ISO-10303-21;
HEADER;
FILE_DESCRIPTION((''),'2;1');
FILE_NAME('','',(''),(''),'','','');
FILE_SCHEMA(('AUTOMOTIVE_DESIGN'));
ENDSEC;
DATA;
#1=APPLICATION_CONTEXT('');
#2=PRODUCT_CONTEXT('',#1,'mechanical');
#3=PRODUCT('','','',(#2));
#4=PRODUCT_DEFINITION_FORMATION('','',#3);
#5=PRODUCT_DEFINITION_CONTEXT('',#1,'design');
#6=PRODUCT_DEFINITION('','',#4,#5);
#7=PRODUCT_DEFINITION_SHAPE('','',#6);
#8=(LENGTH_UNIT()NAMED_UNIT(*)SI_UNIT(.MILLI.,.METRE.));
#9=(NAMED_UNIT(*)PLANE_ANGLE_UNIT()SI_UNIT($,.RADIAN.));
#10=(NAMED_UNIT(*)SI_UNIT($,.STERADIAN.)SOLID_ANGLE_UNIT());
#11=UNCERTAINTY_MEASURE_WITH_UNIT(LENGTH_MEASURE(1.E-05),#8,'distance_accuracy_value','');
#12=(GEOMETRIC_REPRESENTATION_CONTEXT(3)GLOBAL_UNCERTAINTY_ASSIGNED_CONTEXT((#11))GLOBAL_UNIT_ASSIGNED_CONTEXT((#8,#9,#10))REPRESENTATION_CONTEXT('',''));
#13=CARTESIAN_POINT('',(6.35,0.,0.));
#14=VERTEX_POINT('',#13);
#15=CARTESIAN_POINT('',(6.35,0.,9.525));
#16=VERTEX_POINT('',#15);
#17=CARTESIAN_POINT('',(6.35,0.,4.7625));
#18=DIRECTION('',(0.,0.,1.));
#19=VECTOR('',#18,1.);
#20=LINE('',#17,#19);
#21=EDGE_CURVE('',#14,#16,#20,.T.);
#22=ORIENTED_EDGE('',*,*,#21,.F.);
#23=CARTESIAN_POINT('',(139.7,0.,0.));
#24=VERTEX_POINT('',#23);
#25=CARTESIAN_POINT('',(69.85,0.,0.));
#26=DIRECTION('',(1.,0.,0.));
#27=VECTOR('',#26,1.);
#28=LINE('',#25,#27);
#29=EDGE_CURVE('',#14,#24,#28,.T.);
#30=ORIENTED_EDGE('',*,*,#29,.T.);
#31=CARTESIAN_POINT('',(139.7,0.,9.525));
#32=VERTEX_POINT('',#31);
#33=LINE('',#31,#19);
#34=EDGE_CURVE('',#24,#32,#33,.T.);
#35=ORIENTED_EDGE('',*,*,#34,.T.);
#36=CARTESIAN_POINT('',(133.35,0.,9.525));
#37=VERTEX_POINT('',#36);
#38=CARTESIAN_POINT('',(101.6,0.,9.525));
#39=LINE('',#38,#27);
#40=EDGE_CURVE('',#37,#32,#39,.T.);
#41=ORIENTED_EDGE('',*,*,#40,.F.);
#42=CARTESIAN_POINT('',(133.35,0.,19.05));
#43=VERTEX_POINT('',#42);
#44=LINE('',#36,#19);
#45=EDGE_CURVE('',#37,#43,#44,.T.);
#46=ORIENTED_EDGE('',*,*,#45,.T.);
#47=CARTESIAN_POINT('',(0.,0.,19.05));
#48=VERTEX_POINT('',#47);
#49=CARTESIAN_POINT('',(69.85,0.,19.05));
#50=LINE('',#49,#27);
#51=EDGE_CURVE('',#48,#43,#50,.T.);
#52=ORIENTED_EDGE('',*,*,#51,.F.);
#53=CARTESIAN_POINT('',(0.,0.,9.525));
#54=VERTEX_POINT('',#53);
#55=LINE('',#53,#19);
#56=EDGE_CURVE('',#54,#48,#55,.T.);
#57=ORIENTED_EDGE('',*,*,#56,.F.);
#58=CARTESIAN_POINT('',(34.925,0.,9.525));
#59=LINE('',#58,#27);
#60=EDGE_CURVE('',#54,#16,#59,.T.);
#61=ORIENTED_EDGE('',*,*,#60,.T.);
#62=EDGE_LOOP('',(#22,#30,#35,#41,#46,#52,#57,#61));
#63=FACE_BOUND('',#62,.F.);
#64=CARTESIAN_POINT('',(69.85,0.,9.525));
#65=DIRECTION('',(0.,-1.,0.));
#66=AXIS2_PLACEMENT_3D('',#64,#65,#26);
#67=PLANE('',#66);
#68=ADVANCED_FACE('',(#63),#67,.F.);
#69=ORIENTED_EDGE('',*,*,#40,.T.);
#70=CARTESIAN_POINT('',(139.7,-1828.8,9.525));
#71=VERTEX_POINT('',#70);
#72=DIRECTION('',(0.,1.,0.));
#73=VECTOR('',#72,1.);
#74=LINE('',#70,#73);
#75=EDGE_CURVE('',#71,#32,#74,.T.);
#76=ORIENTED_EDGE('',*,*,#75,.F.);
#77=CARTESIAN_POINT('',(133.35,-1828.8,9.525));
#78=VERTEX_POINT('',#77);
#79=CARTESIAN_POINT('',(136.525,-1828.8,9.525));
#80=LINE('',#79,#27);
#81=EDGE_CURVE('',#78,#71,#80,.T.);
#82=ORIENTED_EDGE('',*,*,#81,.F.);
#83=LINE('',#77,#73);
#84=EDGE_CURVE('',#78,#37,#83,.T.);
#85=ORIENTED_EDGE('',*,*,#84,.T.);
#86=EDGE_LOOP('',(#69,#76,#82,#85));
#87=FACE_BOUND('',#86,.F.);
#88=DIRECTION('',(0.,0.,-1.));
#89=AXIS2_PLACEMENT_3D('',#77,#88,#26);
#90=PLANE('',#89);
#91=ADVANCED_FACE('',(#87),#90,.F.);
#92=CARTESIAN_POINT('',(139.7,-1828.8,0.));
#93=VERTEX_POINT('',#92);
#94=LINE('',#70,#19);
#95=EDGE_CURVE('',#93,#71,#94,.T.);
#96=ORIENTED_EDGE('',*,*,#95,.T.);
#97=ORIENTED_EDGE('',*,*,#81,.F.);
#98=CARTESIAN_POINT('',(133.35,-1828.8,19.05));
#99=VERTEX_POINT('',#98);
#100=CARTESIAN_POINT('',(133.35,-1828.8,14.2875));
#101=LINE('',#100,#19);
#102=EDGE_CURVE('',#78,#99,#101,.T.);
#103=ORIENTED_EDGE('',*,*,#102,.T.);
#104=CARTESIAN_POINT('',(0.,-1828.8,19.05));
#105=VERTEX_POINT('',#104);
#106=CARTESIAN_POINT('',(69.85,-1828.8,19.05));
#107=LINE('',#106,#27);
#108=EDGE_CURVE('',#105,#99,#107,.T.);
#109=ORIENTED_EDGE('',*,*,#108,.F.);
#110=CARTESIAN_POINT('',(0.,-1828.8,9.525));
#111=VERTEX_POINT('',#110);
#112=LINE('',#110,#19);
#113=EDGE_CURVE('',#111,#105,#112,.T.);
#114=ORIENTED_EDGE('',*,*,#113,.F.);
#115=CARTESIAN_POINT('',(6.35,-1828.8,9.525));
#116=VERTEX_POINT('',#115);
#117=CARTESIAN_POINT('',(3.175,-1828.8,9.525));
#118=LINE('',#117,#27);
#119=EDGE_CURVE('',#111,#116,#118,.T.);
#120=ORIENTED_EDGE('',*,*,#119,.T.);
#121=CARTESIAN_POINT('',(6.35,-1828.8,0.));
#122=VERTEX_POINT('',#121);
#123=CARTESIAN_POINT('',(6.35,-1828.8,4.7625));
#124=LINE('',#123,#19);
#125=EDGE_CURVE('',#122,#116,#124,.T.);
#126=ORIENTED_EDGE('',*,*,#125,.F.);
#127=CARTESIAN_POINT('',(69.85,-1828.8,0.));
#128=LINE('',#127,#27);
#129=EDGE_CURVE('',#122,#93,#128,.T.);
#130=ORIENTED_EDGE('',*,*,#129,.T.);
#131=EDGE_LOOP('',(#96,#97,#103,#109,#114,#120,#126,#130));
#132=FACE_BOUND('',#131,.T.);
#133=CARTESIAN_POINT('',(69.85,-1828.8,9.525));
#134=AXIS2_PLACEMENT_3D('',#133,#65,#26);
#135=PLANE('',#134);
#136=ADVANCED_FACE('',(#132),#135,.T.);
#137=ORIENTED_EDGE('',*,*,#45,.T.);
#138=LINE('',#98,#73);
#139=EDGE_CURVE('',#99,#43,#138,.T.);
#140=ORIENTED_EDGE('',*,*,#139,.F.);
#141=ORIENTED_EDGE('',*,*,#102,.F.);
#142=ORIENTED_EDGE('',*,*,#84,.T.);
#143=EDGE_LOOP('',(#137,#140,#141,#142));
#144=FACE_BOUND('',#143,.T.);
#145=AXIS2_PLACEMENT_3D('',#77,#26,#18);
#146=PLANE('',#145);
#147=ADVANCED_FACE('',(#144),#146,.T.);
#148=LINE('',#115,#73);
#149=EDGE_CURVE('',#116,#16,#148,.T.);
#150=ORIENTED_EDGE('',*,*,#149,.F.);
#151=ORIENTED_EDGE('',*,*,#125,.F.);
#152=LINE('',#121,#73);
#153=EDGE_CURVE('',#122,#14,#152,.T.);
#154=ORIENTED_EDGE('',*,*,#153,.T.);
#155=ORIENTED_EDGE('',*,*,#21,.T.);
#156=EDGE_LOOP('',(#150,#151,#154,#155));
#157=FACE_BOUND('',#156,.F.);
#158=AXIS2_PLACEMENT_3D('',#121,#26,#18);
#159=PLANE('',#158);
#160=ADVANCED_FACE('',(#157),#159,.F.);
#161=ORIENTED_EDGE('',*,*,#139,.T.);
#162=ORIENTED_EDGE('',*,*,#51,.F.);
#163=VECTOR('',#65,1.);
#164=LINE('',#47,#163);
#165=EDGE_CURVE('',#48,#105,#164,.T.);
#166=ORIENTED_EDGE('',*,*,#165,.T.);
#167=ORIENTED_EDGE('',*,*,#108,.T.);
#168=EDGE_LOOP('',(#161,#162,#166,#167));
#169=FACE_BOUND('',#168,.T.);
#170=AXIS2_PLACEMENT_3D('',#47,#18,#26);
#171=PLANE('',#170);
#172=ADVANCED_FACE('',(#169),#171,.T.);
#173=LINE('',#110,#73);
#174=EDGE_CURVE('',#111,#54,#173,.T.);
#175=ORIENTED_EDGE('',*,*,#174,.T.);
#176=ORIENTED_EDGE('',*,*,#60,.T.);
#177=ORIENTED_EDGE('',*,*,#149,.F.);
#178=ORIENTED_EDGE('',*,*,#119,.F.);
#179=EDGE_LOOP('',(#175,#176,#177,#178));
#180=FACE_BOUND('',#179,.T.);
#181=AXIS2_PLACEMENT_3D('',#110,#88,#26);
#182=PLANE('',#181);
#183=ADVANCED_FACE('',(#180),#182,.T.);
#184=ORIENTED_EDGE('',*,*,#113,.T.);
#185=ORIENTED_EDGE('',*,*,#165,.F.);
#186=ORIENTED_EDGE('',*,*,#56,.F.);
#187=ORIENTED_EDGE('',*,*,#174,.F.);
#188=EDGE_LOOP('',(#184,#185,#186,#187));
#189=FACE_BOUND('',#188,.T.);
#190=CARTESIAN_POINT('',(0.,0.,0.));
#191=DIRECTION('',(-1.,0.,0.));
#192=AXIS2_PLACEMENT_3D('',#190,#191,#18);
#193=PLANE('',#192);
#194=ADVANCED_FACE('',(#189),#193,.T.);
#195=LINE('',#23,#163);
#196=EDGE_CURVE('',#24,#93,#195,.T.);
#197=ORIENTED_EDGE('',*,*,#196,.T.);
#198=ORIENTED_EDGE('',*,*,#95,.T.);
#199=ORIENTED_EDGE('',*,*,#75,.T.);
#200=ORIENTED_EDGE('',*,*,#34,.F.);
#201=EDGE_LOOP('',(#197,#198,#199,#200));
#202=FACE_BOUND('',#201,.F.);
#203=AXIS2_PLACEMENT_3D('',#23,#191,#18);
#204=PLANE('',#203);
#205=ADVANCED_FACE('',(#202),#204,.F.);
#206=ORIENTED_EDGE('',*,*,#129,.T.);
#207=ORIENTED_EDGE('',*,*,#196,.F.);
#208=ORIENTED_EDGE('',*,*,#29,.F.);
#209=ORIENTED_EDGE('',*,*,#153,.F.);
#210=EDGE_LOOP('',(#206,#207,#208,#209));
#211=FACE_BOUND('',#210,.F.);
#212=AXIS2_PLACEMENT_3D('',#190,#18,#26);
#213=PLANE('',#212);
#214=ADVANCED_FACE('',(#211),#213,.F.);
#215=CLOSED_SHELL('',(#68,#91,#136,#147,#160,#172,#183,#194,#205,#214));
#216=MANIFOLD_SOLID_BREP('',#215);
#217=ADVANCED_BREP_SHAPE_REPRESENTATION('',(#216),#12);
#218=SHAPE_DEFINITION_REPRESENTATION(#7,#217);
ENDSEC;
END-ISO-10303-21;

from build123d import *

# Parameters (mm, degrees)
F0_W     = 139.7
F0_H     = 19.05
F1_DEPTH = 1828.8
F2_W     = 6.35
F2_H     = 9.525
F3_DEPTH = 1828.801


with BuildPart() as f1:
    # F0 (on Front) → F1 (new body)
    with BuildSketch(Plane.XZ):
        with Locations((69.85, 9.525)):
            Rectangle(F0_W, F0_H)
    extrude(amount=F1_DEPTH)

    # F2 (on face) → F3 (cut, through all)
    with BuildSketch(Plane.XZ.offset(1828.8)):
        with Locations((3.175, 4.7625)):
            Rectangle(F2_W, F2_H)
        with Locations((136.525, 14.2875)):
            Rectangle(F2_W, F2_H)
    extrude(amount=-F3_DEPTH, mode=Mode.SUBTRACT)


solid = f1.part
